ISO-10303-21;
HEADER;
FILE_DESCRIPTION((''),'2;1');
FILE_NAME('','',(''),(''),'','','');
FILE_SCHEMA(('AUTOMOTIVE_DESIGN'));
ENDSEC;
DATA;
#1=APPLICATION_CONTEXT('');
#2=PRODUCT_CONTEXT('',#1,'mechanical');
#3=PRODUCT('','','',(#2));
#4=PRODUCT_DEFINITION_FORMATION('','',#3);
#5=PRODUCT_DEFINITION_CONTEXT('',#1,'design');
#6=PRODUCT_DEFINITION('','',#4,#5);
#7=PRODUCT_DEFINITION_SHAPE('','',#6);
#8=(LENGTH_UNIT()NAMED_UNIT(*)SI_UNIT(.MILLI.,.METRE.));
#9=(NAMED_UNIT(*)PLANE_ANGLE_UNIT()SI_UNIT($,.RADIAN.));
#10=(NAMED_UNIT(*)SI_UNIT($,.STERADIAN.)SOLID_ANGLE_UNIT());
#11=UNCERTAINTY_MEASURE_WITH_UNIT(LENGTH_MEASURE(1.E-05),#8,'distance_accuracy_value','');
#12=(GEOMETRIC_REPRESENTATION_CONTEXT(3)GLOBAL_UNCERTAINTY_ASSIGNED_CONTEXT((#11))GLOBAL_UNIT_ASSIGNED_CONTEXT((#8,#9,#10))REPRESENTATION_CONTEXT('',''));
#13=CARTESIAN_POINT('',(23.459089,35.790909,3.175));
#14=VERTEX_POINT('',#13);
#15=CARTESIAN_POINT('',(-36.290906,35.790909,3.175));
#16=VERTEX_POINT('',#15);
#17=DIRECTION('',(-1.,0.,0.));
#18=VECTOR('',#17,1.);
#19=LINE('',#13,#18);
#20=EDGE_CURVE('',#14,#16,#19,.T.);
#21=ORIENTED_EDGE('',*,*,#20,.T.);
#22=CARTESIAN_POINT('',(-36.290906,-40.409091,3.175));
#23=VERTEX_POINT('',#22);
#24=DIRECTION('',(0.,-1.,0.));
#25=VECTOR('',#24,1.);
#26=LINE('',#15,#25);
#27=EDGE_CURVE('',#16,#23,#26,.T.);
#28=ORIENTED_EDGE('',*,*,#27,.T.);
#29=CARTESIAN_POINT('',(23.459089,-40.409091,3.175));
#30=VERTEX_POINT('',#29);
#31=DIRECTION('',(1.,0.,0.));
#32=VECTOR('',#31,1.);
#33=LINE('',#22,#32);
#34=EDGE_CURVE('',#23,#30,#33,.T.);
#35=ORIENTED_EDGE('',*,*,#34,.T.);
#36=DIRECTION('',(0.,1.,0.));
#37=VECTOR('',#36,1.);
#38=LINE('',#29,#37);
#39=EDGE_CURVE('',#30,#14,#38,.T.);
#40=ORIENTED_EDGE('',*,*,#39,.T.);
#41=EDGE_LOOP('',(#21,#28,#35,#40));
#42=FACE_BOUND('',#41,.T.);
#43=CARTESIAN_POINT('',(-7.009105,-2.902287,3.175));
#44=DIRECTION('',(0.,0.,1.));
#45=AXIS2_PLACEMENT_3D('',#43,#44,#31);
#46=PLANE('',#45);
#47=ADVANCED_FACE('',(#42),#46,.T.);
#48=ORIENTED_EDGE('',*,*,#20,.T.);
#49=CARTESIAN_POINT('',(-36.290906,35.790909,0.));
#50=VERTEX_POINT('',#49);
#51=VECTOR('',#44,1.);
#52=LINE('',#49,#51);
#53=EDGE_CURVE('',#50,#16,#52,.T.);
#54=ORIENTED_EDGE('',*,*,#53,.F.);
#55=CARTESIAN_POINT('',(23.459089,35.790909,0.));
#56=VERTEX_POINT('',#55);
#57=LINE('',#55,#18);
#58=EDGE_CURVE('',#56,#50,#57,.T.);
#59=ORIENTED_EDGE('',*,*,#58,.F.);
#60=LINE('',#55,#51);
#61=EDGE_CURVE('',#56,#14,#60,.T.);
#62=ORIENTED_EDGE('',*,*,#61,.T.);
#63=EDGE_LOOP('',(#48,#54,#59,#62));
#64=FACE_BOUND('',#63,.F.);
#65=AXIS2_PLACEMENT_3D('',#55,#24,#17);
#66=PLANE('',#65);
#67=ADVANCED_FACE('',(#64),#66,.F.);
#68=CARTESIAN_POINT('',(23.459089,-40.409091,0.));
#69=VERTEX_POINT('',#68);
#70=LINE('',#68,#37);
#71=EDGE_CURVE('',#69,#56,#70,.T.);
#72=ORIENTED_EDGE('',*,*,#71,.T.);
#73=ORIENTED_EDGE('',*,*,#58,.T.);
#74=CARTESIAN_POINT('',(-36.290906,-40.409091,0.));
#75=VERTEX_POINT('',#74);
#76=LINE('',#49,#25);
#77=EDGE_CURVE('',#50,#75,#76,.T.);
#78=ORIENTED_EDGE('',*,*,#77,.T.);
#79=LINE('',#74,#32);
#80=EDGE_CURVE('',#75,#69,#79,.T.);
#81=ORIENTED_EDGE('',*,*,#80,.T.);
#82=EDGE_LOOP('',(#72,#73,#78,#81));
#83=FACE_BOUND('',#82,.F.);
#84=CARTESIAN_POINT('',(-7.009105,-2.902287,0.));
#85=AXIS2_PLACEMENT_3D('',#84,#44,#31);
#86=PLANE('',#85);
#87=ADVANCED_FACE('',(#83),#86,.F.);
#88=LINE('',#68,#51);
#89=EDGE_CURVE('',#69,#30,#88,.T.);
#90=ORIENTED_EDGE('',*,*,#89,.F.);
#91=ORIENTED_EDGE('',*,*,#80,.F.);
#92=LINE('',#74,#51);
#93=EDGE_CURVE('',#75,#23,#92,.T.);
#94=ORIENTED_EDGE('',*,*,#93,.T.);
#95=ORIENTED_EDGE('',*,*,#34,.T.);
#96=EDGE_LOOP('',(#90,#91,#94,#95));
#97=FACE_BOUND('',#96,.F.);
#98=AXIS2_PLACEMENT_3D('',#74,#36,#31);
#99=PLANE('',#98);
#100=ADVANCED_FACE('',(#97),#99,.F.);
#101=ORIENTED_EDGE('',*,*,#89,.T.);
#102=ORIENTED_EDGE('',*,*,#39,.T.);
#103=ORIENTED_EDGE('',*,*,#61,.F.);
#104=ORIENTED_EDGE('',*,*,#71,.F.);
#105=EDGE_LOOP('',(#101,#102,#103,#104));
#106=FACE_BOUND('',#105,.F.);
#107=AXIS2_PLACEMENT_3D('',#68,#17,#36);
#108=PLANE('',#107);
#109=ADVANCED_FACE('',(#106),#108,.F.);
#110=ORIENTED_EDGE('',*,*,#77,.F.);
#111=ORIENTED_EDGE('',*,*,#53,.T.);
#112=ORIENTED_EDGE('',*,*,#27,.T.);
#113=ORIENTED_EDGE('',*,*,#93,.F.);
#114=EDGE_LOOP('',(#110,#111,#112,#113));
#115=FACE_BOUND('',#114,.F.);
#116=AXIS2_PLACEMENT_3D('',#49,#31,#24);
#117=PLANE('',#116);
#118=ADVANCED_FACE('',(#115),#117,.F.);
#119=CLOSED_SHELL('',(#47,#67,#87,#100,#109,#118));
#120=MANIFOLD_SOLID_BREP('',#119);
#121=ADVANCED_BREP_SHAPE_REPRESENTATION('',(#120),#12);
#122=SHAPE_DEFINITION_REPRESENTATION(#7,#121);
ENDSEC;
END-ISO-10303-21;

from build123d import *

# Parameters (mm, degrees)
F0_W     = 12.7
F0_H     = 12.7
F1_DEPTH = 3.175


with BuildPart() as f1:
    # F0 (on Top) → F1 (new body)
    with BuildSketch(Plane.XY):
        Polygon((-36.290906, 23.090909), (-36.290906, -40.409091), (10.759089, -40.409091), (10.759089, -27.709091), (23.459089, -27.709091), (23.459089, 23.090909), (10.759089, 23.090909), (10.759089, 35.790909), (-23.590906, 35.790909), (-23.590906, 23.090909), align=None)
        with Locations((-29.940906, 29.440909)):
            Rectangle(F0_W, F0_H)
        with Locations((17.109089, 29.440909)):
            Rectangle(F0_W, F0_H)
        with Locations((17.109089, -34.059091)):
            Rectangle(F0_W, F0_H)
    extrude(amount=F1_DEPTH)


solid = f1.part
